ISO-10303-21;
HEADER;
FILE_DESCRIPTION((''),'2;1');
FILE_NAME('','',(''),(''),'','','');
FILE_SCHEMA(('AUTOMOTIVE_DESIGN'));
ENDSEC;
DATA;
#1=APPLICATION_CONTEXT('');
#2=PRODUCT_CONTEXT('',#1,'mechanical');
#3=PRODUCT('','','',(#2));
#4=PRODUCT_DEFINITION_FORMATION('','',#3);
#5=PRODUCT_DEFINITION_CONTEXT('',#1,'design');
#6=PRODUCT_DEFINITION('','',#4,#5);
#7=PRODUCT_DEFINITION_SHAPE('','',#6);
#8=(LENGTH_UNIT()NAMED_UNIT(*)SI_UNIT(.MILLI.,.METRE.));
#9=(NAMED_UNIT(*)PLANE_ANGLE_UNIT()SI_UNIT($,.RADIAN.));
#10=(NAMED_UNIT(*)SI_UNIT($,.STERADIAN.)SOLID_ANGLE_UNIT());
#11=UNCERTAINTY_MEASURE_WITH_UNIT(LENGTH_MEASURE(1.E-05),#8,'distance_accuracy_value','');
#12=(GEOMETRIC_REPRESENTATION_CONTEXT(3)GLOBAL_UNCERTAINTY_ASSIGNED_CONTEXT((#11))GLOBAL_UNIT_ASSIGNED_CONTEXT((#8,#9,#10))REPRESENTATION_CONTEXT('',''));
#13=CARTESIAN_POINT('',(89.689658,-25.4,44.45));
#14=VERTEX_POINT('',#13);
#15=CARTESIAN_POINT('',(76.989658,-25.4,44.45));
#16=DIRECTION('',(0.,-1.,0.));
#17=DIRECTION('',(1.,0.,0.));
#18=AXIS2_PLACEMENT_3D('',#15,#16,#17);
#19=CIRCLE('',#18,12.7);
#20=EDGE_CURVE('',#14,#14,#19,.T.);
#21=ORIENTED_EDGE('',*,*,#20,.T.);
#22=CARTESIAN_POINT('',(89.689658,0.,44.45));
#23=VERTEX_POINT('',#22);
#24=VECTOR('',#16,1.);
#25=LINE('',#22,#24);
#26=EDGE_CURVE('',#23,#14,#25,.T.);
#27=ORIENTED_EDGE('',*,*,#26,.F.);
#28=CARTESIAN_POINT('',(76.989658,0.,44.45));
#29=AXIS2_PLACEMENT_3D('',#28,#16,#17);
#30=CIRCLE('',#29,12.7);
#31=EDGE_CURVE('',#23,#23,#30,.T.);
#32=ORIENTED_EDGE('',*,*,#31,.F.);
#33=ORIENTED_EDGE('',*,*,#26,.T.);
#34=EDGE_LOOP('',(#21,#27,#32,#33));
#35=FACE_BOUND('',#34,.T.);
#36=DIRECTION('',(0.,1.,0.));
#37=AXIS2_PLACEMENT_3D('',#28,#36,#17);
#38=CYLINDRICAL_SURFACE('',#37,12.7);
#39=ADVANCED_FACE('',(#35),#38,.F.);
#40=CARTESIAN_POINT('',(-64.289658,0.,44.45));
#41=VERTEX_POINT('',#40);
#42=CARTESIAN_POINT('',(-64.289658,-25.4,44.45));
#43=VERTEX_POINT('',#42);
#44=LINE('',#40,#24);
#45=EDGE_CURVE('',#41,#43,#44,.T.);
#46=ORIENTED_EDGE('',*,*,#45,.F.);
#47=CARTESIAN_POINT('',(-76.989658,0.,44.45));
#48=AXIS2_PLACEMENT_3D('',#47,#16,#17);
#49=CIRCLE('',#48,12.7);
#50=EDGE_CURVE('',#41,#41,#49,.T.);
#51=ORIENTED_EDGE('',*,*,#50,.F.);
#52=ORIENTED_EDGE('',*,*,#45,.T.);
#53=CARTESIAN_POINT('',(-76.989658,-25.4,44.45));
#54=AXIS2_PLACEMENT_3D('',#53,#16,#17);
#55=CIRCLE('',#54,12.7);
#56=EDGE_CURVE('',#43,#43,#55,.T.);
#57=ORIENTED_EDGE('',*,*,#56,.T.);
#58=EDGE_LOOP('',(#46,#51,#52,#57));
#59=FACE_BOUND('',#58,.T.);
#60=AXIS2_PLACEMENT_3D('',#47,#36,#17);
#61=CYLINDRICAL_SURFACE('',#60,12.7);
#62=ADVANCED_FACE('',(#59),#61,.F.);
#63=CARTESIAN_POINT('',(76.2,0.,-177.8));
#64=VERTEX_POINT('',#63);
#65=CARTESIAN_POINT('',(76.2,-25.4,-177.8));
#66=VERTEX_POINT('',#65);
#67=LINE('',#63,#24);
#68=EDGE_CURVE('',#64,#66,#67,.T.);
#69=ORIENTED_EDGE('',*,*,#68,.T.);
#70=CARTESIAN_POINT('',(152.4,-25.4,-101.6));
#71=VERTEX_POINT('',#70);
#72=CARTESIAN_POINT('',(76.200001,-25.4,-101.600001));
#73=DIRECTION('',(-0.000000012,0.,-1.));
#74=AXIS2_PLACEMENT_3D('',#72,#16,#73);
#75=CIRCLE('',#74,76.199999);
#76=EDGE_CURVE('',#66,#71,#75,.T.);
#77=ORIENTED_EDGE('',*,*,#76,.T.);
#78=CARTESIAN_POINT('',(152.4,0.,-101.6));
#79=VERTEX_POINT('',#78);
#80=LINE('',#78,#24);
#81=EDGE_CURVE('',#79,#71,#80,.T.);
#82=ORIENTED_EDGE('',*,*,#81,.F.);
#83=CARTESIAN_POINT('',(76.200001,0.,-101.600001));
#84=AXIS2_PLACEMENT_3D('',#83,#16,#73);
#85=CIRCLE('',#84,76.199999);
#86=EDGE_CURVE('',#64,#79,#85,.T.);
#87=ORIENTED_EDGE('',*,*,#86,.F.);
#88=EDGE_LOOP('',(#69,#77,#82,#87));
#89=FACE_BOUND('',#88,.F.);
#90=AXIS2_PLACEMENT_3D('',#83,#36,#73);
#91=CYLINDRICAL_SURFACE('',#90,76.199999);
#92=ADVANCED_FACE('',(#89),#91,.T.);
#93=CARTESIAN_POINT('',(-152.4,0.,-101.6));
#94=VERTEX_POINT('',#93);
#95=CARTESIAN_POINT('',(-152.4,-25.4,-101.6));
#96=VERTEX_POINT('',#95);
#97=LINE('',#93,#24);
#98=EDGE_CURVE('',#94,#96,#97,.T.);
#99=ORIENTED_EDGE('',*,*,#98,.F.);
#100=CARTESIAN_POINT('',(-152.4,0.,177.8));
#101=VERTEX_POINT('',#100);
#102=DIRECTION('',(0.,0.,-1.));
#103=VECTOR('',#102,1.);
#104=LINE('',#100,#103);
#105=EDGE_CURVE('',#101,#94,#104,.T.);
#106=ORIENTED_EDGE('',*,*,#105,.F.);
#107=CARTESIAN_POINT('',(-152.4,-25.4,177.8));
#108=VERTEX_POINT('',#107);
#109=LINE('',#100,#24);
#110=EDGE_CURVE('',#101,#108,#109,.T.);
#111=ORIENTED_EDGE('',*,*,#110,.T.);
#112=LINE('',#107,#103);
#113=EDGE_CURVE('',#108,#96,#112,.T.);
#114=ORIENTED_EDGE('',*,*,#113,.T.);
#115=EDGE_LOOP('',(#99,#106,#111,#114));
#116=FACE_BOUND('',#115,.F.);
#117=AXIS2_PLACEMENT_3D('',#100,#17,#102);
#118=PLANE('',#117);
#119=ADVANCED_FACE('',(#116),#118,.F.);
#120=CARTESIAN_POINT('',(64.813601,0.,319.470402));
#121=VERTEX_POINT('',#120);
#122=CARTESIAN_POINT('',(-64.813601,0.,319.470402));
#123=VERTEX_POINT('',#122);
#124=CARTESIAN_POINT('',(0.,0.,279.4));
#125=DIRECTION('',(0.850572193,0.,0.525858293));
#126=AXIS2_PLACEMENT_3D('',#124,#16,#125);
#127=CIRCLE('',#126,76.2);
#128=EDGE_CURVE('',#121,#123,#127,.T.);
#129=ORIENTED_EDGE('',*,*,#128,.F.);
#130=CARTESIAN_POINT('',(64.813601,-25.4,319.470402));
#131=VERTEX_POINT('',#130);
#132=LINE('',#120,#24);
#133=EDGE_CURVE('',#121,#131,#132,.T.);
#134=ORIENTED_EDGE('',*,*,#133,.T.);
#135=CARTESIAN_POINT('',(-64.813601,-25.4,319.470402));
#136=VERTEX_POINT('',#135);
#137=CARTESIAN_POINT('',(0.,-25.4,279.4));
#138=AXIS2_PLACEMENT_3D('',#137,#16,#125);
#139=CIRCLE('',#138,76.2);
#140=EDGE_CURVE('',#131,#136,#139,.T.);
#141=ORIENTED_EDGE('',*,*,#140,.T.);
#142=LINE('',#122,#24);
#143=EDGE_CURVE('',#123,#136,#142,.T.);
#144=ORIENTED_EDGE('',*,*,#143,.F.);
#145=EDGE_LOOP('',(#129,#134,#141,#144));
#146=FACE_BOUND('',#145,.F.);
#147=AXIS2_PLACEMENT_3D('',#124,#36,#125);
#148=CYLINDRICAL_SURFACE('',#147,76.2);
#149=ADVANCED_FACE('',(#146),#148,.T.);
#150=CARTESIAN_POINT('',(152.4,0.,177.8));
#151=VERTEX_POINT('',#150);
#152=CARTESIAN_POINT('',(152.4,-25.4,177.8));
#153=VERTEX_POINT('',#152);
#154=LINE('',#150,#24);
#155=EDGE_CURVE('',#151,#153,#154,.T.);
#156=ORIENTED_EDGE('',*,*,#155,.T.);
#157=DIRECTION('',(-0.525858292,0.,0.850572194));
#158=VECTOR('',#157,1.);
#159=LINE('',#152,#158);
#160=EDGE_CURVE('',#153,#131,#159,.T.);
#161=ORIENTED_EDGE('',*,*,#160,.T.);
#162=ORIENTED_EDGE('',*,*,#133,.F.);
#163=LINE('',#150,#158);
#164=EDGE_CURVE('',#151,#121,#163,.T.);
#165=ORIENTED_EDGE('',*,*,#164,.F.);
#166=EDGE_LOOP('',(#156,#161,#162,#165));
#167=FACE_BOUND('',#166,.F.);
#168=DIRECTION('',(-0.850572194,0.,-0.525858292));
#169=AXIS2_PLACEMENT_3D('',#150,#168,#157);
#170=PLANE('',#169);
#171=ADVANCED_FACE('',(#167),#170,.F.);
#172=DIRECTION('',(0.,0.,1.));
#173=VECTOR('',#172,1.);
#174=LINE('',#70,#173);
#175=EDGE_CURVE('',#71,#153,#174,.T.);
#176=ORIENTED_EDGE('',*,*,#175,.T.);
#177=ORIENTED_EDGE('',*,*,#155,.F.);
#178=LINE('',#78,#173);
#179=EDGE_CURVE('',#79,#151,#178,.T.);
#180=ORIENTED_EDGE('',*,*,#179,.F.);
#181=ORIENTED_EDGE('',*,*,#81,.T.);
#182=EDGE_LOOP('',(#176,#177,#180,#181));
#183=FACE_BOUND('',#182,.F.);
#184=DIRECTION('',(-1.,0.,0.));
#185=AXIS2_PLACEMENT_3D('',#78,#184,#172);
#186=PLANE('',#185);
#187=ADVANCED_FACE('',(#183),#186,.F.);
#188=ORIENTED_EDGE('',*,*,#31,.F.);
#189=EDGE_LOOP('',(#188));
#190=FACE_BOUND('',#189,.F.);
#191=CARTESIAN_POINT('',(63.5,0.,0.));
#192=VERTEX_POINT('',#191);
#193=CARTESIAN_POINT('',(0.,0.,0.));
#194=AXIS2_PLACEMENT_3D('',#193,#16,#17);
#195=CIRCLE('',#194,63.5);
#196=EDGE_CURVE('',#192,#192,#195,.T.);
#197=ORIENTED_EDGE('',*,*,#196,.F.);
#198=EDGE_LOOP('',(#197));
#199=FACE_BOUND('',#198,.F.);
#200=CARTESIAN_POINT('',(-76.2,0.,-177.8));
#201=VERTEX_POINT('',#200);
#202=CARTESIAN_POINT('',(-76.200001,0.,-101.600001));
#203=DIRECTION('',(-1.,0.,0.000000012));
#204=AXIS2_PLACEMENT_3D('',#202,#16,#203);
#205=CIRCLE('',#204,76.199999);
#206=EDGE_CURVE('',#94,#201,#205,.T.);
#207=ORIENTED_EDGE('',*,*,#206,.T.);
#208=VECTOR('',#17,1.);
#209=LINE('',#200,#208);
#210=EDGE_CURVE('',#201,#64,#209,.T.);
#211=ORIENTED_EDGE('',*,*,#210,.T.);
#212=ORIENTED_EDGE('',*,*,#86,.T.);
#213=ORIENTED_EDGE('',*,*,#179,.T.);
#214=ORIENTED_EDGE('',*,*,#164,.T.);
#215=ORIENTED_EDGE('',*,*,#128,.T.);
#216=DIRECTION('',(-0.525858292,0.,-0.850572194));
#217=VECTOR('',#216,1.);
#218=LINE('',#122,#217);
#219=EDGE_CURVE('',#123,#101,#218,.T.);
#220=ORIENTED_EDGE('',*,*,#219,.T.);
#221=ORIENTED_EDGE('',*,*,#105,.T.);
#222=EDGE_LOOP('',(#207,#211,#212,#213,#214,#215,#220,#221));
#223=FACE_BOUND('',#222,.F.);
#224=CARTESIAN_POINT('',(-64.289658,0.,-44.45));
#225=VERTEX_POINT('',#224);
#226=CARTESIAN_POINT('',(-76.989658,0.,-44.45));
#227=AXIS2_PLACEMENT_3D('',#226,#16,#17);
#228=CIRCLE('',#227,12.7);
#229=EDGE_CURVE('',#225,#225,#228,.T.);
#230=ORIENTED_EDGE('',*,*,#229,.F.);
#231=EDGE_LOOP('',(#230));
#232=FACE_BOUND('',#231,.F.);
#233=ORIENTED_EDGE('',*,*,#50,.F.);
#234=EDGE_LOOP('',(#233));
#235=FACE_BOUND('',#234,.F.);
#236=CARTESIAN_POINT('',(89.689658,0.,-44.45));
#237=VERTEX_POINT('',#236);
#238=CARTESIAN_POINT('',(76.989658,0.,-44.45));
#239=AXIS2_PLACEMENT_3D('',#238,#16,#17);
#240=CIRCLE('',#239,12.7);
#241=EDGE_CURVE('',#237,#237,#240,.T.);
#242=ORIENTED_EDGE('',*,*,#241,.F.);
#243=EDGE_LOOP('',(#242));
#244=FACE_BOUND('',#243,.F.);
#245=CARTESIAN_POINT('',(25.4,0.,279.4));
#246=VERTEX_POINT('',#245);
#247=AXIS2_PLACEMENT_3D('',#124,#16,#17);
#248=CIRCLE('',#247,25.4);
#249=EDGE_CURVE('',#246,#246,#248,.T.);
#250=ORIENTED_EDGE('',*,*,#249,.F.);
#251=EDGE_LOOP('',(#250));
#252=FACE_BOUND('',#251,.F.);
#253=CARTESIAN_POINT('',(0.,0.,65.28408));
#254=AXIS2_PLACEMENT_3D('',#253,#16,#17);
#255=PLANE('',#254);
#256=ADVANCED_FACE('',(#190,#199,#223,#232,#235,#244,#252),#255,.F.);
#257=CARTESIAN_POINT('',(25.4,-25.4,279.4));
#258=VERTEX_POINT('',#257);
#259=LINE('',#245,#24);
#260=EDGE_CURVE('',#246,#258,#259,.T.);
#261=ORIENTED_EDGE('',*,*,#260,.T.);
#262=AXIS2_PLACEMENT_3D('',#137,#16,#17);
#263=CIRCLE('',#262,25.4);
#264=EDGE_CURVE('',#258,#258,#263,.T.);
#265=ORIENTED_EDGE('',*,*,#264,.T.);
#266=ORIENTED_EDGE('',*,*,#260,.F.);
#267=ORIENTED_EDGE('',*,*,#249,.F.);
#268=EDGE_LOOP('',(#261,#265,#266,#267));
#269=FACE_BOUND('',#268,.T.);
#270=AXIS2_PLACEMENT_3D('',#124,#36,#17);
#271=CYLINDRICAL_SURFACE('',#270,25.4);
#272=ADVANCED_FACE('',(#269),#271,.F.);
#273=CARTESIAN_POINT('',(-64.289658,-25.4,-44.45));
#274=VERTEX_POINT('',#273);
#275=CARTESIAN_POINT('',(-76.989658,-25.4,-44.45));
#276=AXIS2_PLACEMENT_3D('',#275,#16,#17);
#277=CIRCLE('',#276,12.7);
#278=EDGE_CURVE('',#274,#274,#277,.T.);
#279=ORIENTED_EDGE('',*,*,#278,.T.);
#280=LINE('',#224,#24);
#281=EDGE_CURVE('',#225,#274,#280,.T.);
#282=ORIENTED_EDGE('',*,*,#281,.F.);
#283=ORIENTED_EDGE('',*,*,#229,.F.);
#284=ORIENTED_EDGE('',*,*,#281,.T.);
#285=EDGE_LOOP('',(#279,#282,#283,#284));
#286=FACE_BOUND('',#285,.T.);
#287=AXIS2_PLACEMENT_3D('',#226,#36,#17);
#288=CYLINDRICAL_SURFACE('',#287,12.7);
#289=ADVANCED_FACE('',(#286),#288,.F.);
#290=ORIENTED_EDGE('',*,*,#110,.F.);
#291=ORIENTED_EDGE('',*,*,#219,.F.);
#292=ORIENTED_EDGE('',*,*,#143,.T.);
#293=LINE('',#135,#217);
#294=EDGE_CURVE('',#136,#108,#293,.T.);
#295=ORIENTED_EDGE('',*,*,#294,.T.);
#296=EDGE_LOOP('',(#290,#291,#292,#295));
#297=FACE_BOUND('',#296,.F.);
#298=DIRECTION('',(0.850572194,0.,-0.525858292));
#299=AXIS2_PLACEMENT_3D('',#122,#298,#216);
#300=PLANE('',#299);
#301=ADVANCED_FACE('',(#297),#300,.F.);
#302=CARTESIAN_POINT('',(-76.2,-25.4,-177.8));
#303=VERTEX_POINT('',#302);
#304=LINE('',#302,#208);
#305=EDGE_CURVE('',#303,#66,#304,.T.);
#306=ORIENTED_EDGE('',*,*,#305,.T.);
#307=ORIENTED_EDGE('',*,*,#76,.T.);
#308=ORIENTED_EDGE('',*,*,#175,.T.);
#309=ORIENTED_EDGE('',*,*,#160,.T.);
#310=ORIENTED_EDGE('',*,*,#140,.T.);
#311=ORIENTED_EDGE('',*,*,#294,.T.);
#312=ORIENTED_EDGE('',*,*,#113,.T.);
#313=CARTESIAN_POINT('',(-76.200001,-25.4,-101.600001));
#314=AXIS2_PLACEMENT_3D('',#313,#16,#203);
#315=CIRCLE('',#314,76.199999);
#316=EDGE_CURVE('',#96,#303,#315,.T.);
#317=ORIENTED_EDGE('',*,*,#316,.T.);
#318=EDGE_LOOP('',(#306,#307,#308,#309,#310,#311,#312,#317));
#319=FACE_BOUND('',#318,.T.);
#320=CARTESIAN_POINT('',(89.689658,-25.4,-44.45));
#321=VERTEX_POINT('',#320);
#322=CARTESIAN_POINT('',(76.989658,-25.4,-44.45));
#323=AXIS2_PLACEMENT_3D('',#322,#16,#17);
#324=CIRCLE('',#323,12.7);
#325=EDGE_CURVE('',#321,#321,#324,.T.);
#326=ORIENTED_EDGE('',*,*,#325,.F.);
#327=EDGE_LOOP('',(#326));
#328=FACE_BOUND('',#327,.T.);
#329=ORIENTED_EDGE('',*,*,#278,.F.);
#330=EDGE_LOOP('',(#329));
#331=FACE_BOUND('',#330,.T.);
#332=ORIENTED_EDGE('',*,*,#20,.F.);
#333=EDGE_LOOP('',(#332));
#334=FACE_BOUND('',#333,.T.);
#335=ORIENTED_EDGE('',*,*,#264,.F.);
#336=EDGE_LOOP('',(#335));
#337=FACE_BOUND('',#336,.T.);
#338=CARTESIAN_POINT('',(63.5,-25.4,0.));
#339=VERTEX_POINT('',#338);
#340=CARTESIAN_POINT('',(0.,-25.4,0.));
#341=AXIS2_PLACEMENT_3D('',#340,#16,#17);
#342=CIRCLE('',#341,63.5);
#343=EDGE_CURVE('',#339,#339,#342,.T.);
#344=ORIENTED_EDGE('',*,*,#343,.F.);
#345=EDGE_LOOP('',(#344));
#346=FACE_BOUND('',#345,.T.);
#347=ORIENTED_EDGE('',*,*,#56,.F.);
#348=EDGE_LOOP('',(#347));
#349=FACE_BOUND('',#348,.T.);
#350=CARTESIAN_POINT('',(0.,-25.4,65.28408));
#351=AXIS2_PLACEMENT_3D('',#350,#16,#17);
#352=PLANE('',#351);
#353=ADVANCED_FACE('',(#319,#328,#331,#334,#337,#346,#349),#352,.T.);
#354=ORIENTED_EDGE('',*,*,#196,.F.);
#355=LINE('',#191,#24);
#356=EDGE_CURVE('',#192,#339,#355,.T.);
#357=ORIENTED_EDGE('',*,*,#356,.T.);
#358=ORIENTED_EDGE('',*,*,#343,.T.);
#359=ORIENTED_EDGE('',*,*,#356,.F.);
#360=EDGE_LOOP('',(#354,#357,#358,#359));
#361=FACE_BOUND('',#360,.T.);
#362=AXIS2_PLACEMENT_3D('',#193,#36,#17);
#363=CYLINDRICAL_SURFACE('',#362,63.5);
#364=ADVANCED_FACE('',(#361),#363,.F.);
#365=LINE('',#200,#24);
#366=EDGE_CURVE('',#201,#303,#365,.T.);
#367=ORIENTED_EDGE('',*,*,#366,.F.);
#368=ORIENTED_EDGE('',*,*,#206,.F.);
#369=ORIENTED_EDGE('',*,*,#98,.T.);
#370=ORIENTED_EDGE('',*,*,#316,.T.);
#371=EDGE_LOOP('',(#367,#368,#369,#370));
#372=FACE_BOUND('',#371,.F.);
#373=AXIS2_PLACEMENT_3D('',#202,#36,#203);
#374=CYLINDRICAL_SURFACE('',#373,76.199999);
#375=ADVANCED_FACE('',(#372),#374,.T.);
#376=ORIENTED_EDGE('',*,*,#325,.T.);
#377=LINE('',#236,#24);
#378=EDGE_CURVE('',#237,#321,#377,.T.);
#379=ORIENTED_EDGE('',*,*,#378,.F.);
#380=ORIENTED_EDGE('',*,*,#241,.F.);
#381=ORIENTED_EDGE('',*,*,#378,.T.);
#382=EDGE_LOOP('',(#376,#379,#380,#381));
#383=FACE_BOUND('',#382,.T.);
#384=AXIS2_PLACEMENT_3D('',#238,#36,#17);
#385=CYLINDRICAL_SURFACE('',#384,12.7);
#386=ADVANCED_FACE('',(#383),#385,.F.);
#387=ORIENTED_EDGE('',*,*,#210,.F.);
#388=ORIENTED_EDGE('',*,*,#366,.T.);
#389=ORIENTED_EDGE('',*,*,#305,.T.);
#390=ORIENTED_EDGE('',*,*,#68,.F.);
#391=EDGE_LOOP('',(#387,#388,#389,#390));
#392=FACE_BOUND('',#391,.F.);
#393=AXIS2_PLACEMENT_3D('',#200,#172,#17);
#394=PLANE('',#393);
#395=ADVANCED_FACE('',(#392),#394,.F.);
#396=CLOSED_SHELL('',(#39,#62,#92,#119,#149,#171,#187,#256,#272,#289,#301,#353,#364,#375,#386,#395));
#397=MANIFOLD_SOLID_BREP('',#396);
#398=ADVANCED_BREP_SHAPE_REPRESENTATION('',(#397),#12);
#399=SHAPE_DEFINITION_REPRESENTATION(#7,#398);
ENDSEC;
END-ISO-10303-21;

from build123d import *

# Parameters (mm, degrees)
F0_R     = 12.7
F0_R_2   = 63.5
F0_R_3   = 25.4
F1_DEPTH = 25.4


with BuildPart() as f1:
    # F0 (on Front) → F1 (new body)
    with BuildSketch(Plane.XZ):
        with BuildLine():
            Line((-64.813601, 319.470402), (-152.4, 177.8))
            Line((-152.4, 177.8), (-152.4, -101.6))
            ThreePointArc((-152.4, -101.6), (-130.081537, -155.481537), (-76.2, -177.8))
            Line((-76.2, -177.8), (76.2, -177.8))
            ThreePointArc((76.2, -177.8), (130.081537, -155.481537), (152.4, -101.6))
            Line((152.4, -101.6), (152.4, 177.8))
            Line((152.4, 177.8), (64.813601, 319.470402))
            ThreePointArc((64.813601, 319.470402), (0, 355.6), (-64.813601, 319.470402))
        make_face()
        with Locations((-76.989658, -44.45)):
            Circle(F0_R, mode=Mode.SUBTRACT)
        with Locations((-76.989658, 44.45)):
            Circle(F0_R, mode=Mode.SUBTRACT)
        Circle(F0_R_2, mode=Mode.SUBTRACT)
        with Locations((76.989658, -44.45)):
            Circle(F0_R, mode=Mode.SUBTRACT)
        with Locations((76.989658, 44.45)):
            Circle(F0_R, mode=Mode.SUBTRACT)
        with Locations((0, 279.4)):
            Circle(F0_R_3, mode=Mode.SUBTRACT)
    extrude(amount=F1_DEPTH)


solid = f1.part
